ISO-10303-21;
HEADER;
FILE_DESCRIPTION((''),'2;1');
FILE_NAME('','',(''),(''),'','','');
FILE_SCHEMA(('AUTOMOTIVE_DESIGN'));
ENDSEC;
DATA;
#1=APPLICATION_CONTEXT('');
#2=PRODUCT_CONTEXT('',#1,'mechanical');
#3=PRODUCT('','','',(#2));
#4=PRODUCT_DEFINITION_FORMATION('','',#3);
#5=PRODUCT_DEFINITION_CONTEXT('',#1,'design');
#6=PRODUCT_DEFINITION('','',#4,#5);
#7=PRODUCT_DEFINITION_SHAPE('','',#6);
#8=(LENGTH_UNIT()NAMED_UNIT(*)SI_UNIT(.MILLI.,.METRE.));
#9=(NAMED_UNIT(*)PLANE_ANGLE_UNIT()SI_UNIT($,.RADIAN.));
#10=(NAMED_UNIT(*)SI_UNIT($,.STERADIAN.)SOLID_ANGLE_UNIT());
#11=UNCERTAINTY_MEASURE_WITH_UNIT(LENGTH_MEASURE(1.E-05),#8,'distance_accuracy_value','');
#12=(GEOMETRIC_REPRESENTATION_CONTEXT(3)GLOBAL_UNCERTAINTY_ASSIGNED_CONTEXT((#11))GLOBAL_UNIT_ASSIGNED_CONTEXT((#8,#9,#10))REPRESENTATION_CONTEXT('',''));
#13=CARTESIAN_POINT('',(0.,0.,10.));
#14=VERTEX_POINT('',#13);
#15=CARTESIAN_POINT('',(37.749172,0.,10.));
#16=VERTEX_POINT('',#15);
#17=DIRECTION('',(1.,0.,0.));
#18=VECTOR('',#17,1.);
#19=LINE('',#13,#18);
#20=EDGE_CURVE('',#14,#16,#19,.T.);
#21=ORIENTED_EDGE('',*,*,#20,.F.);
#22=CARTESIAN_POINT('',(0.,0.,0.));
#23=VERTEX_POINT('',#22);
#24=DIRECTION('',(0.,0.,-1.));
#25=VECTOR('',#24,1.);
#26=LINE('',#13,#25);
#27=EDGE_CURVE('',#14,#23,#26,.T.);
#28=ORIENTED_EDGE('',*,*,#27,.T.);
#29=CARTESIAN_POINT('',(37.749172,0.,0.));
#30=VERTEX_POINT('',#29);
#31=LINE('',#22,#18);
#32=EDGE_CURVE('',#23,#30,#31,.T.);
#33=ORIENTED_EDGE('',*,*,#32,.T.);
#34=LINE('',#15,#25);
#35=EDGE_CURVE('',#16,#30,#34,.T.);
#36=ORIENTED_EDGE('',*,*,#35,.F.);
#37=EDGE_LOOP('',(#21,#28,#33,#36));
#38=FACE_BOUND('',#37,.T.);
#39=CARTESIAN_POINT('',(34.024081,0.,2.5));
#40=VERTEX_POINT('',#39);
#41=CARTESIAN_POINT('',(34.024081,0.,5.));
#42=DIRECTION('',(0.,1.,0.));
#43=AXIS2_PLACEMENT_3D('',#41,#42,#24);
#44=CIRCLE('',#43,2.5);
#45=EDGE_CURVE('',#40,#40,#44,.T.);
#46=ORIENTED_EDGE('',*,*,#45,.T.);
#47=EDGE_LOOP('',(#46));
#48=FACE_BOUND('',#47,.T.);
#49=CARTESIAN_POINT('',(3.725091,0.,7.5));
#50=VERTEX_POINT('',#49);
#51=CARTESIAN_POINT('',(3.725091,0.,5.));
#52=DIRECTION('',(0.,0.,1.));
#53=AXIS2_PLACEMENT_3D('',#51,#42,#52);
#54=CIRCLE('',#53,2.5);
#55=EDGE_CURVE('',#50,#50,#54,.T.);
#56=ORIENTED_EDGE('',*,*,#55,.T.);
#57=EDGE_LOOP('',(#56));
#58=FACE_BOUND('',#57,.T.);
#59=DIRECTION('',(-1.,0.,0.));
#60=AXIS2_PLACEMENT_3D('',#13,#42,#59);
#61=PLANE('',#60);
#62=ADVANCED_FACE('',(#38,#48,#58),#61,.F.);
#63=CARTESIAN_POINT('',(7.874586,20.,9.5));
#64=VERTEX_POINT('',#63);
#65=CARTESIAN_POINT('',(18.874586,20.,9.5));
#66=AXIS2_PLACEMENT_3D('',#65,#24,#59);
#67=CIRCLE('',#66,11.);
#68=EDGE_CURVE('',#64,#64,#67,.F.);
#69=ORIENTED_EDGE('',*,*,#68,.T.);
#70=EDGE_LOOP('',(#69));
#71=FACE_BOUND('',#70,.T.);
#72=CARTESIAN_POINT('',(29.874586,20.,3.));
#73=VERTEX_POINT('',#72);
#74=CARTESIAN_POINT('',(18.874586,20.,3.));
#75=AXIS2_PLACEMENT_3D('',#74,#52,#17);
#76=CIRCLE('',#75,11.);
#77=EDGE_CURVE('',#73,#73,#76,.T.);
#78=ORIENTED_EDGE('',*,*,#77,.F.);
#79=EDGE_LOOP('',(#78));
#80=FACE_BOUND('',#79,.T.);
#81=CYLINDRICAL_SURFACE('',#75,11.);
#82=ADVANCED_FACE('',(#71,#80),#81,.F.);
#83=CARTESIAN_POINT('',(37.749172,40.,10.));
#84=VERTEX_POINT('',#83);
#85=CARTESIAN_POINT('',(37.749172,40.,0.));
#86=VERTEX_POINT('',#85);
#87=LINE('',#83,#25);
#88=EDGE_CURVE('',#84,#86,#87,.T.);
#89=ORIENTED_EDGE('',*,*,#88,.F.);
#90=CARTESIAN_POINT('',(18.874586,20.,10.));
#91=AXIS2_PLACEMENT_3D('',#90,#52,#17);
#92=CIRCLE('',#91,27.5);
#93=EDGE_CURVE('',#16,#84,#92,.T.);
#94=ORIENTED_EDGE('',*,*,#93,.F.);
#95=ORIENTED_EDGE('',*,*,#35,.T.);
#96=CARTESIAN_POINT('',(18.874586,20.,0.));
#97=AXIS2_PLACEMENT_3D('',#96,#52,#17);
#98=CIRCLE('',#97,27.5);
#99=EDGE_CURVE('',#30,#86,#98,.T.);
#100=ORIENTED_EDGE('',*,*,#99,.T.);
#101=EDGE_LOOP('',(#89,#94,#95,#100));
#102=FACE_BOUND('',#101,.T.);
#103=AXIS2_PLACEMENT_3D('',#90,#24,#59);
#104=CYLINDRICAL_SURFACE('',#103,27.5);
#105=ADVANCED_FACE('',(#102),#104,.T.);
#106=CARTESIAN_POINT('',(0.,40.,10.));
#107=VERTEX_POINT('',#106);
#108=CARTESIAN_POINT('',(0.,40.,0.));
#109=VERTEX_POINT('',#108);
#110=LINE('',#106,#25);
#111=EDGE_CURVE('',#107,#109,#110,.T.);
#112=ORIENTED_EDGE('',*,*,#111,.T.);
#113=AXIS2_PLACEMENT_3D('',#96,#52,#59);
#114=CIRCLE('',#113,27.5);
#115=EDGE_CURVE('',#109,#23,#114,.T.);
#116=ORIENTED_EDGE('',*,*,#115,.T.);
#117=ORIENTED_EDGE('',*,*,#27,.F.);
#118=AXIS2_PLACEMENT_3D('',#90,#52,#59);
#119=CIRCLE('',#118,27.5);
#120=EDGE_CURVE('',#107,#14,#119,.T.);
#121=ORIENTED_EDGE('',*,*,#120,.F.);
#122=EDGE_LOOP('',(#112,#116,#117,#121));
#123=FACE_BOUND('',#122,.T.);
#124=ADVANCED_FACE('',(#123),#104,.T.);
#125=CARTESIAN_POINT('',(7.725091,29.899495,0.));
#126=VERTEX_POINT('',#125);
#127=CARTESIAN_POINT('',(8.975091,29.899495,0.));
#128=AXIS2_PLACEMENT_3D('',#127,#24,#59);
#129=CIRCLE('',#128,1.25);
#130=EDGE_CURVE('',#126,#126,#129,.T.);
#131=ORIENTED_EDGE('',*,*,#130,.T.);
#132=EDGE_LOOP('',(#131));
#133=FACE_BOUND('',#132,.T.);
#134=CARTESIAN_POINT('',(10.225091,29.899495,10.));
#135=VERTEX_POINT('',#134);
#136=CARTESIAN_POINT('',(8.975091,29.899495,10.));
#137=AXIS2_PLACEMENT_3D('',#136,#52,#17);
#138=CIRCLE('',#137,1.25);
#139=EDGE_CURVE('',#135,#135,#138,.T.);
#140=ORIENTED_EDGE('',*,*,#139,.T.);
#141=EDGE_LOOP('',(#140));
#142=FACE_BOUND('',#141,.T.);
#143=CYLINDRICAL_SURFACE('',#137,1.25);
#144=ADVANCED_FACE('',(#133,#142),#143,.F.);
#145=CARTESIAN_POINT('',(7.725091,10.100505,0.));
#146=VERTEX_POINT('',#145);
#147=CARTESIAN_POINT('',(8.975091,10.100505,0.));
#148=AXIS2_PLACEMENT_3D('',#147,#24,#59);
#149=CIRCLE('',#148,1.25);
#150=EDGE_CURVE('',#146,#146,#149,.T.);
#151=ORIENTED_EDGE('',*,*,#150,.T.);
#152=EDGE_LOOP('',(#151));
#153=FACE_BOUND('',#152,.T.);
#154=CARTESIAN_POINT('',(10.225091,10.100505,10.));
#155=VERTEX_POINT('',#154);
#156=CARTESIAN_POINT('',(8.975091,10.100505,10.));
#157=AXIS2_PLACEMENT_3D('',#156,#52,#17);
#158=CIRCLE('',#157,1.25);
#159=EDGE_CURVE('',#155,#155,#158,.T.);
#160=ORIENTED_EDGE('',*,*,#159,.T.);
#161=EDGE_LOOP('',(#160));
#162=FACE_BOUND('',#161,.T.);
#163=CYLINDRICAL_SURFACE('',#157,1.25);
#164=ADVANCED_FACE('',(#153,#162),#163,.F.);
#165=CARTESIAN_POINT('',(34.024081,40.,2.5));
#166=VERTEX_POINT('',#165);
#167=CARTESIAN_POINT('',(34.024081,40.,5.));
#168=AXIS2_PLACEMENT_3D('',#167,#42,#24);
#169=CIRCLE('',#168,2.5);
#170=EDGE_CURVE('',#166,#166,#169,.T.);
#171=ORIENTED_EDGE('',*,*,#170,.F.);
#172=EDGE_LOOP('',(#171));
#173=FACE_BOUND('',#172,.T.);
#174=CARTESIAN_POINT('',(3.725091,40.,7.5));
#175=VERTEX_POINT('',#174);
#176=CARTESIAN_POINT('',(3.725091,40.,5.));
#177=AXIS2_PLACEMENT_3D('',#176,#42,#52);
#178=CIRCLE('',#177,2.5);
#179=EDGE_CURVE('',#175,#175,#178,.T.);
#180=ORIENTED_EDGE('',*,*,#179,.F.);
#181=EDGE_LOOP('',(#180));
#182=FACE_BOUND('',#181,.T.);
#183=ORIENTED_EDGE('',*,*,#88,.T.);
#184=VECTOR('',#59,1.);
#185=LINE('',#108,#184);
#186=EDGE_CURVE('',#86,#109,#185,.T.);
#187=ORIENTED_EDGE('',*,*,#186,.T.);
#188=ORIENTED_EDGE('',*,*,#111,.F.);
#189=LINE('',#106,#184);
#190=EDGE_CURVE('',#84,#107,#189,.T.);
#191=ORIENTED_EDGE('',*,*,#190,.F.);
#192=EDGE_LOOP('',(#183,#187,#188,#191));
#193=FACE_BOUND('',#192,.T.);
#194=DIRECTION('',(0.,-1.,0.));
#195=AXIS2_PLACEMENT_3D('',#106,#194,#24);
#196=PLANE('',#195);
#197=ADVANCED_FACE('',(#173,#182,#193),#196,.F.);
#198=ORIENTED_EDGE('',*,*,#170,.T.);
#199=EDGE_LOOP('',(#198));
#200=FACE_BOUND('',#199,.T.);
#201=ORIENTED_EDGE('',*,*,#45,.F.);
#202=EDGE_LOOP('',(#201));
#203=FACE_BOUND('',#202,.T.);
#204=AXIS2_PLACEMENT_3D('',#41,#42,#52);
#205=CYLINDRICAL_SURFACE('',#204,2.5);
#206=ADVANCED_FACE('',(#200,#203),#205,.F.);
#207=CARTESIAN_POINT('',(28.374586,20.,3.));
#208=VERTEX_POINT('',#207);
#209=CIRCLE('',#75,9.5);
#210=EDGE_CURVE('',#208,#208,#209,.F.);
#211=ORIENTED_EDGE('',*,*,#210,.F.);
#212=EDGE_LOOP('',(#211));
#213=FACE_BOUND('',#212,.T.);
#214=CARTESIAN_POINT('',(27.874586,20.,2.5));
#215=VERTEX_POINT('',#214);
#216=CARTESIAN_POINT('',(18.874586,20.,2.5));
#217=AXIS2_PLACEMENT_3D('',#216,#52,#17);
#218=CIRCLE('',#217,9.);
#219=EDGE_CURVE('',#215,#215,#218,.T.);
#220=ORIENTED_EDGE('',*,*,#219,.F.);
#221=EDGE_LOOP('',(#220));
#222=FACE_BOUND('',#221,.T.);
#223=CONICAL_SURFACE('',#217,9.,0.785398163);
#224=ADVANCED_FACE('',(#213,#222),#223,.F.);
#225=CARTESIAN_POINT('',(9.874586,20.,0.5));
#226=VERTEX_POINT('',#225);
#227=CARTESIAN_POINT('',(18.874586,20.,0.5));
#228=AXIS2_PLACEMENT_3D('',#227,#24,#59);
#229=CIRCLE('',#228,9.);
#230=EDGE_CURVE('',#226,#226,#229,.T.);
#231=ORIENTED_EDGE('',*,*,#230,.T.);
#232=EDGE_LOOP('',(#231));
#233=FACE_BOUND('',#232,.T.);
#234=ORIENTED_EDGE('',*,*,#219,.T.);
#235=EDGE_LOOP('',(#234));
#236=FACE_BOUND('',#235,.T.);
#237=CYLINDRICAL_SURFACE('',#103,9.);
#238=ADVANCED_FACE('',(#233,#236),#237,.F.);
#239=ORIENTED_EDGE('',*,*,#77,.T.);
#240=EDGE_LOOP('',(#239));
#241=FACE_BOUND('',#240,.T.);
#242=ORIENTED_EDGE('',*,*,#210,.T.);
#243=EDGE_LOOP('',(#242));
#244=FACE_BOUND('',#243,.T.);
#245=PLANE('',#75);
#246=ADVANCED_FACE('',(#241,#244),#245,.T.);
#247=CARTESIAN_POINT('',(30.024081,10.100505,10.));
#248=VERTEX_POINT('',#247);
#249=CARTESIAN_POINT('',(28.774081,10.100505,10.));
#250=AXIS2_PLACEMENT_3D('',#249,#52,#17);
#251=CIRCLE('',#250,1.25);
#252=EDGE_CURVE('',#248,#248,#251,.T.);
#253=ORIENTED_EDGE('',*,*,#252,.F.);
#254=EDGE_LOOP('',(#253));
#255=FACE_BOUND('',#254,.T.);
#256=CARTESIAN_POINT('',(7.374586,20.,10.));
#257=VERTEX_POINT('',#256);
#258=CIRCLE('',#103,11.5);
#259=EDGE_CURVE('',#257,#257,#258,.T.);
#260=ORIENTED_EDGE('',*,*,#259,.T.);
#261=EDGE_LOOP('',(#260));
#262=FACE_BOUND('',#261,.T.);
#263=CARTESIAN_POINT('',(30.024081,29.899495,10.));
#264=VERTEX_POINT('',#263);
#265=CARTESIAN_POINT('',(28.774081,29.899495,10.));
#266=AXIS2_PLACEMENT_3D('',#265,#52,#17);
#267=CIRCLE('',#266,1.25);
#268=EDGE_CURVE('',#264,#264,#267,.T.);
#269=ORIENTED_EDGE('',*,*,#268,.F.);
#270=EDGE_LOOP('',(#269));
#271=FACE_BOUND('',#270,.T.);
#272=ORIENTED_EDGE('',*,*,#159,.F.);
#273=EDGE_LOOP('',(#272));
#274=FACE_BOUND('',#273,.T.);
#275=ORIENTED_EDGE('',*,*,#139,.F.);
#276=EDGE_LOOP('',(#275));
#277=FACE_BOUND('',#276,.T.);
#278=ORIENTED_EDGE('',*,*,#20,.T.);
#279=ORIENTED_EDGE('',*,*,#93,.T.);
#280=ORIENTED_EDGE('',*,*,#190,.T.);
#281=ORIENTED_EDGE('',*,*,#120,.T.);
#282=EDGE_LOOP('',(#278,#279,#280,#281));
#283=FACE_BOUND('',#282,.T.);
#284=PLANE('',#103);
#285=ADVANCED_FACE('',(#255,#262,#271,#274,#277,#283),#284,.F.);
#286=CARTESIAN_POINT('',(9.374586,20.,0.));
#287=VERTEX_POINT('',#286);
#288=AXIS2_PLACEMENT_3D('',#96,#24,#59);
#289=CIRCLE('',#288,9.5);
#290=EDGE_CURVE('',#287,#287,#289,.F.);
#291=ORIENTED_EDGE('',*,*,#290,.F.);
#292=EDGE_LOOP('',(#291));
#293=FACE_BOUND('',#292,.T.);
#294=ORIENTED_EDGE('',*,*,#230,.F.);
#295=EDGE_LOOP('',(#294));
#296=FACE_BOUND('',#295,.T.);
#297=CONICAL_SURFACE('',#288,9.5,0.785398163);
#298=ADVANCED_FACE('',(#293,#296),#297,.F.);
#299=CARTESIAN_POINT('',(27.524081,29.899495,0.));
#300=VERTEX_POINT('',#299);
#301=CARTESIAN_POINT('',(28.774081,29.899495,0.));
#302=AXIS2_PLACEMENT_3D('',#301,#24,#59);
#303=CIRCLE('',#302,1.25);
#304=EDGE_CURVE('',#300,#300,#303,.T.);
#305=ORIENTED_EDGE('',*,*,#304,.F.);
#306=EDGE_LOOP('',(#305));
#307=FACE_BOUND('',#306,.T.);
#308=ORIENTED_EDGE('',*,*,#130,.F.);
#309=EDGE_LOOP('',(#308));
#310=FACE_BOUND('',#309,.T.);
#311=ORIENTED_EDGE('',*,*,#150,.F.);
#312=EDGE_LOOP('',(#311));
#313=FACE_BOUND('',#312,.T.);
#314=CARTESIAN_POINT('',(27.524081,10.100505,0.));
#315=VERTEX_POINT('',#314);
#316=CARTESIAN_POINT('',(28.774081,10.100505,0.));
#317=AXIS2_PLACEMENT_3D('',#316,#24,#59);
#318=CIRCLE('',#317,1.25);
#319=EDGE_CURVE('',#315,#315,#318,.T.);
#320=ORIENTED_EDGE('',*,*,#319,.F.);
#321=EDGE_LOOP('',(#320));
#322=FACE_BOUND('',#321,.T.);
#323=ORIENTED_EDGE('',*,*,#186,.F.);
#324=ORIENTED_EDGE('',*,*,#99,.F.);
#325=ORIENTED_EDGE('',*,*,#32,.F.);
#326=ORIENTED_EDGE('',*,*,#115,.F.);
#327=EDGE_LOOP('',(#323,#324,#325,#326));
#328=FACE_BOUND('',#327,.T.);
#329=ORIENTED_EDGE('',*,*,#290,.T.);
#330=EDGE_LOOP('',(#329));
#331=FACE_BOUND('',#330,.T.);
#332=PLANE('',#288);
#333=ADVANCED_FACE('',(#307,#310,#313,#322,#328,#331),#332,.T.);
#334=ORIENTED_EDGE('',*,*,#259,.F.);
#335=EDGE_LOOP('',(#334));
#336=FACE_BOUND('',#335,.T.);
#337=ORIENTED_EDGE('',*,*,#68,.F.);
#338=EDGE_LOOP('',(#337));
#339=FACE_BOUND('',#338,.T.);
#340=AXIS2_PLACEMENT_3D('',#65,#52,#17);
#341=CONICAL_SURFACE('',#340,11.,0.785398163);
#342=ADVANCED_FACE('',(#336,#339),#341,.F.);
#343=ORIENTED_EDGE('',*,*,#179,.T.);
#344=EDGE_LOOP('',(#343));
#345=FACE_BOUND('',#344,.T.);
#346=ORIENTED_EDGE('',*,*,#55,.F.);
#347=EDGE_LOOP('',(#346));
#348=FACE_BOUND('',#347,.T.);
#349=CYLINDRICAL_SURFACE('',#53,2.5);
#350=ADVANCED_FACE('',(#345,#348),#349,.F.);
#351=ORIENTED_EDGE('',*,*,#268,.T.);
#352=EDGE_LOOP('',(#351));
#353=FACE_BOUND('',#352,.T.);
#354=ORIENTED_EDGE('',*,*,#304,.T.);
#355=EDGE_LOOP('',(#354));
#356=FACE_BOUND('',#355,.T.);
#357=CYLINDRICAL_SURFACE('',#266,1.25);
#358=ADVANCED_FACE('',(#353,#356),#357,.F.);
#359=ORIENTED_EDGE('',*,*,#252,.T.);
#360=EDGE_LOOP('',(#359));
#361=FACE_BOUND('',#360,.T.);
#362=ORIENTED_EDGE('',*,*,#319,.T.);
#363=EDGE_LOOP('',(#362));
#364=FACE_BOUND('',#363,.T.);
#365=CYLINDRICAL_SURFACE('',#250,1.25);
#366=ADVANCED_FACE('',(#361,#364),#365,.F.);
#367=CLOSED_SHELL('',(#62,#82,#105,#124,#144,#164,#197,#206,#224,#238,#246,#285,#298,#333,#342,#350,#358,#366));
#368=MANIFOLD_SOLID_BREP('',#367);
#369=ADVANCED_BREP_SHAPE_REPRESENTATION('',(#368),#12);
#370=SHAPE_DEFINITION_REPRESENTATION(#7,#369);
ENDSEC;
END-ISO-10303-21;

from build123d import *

# Parameters (mm, degrees)
ESQUISSE1_R             = 9
EXTRUSION1_DEPTH        = 10
ESQUISSE2_R             = 11
ENL_V_MAT_EXTRU_1_DEPTH = 7
CHANFREIN1_SIZE         = 0.5
TROU_TARAUD_M31_D       = 2.5
TROU_TARAUD_M31_DEPTH   = 10
ESQUISSE7_R             = 2.5
ENL_V_MAT_EXTRU_2_DEPTH = 41


with BuildPart() as part:
    # Esquisse1 → Extrusion1 (new body)
    with BuildSketch(Plane.XY):
        with BuildLine():
            Line((0, 0), (37.749172176, 0))
            ThreePointArc((37.749172176, 0), (46.374586088, 20), (37.749172176, 40))
            Line((37.749172176, 40), (0, 40))
            ThreePointArc((0, 40), (-8.625413912, 20), (0, 0))
        make_face()
        with Locations((18.874586088, 20)):
            Circle(ESQUISSE1_R, mode=Mode.SUBTRACT)
    extrude(amount=EXTRUSION1_DEPTH)

    # Esquisse2 → Enlèv. mat.-Extru.1 (cut)
    with BuildSketch(Plane.XY.offset(10)):
        with Locations((18.874586088, 20)):
            Circle(ESQUISSE2_R)
    extrude(amount=-ENL_V_MAT_EXTRU_1_DEPTH, mode=Mode.SUBTRACT)

    # Chanfrein1
    chanfrein1_edges = [part.edges().sort_by_distance(p)[0] for p in [
        (9.874586088, 20, 0),
        (9.874586088, 20, 3),
        (7.874586088, 20, 10),
    ]]
    chamfer(chanfrein1_edges, length=CHANFREIN1_SIZE)

    # Trou taraudé M31
    with Locations(Plane.XY.offset(10)):
        with Locations((28.774081025, 29.899494937), (8.975091152, 29.899494937), (8.975091152, 10.100505063), (28.774081025, 10.100505063)):
            Hole(TROU_TARAUD_M31_D / 2, depth=TROU_TARAUD_M31_DEPTH)

    # Esquisse7 → Enlèv. mat.-Extru.2 (cut, through all)
    with BuildSketch(Plane(origin=(0, 40, 0), x_dir=(1, 0, 0), z_dir=(0, 1, 0))):
        with Locations((3.725091152, -5)):
            Circle(ESQUISSE7_R)
        with Locations((34.024081025, -5)):
            Circle(ESQUISSE7_R)
    extrude(amount=-ENL_V_MAT_EXTRU_2_DEPTH, mode=Mode.SUBTRACT)


solid = part.part
